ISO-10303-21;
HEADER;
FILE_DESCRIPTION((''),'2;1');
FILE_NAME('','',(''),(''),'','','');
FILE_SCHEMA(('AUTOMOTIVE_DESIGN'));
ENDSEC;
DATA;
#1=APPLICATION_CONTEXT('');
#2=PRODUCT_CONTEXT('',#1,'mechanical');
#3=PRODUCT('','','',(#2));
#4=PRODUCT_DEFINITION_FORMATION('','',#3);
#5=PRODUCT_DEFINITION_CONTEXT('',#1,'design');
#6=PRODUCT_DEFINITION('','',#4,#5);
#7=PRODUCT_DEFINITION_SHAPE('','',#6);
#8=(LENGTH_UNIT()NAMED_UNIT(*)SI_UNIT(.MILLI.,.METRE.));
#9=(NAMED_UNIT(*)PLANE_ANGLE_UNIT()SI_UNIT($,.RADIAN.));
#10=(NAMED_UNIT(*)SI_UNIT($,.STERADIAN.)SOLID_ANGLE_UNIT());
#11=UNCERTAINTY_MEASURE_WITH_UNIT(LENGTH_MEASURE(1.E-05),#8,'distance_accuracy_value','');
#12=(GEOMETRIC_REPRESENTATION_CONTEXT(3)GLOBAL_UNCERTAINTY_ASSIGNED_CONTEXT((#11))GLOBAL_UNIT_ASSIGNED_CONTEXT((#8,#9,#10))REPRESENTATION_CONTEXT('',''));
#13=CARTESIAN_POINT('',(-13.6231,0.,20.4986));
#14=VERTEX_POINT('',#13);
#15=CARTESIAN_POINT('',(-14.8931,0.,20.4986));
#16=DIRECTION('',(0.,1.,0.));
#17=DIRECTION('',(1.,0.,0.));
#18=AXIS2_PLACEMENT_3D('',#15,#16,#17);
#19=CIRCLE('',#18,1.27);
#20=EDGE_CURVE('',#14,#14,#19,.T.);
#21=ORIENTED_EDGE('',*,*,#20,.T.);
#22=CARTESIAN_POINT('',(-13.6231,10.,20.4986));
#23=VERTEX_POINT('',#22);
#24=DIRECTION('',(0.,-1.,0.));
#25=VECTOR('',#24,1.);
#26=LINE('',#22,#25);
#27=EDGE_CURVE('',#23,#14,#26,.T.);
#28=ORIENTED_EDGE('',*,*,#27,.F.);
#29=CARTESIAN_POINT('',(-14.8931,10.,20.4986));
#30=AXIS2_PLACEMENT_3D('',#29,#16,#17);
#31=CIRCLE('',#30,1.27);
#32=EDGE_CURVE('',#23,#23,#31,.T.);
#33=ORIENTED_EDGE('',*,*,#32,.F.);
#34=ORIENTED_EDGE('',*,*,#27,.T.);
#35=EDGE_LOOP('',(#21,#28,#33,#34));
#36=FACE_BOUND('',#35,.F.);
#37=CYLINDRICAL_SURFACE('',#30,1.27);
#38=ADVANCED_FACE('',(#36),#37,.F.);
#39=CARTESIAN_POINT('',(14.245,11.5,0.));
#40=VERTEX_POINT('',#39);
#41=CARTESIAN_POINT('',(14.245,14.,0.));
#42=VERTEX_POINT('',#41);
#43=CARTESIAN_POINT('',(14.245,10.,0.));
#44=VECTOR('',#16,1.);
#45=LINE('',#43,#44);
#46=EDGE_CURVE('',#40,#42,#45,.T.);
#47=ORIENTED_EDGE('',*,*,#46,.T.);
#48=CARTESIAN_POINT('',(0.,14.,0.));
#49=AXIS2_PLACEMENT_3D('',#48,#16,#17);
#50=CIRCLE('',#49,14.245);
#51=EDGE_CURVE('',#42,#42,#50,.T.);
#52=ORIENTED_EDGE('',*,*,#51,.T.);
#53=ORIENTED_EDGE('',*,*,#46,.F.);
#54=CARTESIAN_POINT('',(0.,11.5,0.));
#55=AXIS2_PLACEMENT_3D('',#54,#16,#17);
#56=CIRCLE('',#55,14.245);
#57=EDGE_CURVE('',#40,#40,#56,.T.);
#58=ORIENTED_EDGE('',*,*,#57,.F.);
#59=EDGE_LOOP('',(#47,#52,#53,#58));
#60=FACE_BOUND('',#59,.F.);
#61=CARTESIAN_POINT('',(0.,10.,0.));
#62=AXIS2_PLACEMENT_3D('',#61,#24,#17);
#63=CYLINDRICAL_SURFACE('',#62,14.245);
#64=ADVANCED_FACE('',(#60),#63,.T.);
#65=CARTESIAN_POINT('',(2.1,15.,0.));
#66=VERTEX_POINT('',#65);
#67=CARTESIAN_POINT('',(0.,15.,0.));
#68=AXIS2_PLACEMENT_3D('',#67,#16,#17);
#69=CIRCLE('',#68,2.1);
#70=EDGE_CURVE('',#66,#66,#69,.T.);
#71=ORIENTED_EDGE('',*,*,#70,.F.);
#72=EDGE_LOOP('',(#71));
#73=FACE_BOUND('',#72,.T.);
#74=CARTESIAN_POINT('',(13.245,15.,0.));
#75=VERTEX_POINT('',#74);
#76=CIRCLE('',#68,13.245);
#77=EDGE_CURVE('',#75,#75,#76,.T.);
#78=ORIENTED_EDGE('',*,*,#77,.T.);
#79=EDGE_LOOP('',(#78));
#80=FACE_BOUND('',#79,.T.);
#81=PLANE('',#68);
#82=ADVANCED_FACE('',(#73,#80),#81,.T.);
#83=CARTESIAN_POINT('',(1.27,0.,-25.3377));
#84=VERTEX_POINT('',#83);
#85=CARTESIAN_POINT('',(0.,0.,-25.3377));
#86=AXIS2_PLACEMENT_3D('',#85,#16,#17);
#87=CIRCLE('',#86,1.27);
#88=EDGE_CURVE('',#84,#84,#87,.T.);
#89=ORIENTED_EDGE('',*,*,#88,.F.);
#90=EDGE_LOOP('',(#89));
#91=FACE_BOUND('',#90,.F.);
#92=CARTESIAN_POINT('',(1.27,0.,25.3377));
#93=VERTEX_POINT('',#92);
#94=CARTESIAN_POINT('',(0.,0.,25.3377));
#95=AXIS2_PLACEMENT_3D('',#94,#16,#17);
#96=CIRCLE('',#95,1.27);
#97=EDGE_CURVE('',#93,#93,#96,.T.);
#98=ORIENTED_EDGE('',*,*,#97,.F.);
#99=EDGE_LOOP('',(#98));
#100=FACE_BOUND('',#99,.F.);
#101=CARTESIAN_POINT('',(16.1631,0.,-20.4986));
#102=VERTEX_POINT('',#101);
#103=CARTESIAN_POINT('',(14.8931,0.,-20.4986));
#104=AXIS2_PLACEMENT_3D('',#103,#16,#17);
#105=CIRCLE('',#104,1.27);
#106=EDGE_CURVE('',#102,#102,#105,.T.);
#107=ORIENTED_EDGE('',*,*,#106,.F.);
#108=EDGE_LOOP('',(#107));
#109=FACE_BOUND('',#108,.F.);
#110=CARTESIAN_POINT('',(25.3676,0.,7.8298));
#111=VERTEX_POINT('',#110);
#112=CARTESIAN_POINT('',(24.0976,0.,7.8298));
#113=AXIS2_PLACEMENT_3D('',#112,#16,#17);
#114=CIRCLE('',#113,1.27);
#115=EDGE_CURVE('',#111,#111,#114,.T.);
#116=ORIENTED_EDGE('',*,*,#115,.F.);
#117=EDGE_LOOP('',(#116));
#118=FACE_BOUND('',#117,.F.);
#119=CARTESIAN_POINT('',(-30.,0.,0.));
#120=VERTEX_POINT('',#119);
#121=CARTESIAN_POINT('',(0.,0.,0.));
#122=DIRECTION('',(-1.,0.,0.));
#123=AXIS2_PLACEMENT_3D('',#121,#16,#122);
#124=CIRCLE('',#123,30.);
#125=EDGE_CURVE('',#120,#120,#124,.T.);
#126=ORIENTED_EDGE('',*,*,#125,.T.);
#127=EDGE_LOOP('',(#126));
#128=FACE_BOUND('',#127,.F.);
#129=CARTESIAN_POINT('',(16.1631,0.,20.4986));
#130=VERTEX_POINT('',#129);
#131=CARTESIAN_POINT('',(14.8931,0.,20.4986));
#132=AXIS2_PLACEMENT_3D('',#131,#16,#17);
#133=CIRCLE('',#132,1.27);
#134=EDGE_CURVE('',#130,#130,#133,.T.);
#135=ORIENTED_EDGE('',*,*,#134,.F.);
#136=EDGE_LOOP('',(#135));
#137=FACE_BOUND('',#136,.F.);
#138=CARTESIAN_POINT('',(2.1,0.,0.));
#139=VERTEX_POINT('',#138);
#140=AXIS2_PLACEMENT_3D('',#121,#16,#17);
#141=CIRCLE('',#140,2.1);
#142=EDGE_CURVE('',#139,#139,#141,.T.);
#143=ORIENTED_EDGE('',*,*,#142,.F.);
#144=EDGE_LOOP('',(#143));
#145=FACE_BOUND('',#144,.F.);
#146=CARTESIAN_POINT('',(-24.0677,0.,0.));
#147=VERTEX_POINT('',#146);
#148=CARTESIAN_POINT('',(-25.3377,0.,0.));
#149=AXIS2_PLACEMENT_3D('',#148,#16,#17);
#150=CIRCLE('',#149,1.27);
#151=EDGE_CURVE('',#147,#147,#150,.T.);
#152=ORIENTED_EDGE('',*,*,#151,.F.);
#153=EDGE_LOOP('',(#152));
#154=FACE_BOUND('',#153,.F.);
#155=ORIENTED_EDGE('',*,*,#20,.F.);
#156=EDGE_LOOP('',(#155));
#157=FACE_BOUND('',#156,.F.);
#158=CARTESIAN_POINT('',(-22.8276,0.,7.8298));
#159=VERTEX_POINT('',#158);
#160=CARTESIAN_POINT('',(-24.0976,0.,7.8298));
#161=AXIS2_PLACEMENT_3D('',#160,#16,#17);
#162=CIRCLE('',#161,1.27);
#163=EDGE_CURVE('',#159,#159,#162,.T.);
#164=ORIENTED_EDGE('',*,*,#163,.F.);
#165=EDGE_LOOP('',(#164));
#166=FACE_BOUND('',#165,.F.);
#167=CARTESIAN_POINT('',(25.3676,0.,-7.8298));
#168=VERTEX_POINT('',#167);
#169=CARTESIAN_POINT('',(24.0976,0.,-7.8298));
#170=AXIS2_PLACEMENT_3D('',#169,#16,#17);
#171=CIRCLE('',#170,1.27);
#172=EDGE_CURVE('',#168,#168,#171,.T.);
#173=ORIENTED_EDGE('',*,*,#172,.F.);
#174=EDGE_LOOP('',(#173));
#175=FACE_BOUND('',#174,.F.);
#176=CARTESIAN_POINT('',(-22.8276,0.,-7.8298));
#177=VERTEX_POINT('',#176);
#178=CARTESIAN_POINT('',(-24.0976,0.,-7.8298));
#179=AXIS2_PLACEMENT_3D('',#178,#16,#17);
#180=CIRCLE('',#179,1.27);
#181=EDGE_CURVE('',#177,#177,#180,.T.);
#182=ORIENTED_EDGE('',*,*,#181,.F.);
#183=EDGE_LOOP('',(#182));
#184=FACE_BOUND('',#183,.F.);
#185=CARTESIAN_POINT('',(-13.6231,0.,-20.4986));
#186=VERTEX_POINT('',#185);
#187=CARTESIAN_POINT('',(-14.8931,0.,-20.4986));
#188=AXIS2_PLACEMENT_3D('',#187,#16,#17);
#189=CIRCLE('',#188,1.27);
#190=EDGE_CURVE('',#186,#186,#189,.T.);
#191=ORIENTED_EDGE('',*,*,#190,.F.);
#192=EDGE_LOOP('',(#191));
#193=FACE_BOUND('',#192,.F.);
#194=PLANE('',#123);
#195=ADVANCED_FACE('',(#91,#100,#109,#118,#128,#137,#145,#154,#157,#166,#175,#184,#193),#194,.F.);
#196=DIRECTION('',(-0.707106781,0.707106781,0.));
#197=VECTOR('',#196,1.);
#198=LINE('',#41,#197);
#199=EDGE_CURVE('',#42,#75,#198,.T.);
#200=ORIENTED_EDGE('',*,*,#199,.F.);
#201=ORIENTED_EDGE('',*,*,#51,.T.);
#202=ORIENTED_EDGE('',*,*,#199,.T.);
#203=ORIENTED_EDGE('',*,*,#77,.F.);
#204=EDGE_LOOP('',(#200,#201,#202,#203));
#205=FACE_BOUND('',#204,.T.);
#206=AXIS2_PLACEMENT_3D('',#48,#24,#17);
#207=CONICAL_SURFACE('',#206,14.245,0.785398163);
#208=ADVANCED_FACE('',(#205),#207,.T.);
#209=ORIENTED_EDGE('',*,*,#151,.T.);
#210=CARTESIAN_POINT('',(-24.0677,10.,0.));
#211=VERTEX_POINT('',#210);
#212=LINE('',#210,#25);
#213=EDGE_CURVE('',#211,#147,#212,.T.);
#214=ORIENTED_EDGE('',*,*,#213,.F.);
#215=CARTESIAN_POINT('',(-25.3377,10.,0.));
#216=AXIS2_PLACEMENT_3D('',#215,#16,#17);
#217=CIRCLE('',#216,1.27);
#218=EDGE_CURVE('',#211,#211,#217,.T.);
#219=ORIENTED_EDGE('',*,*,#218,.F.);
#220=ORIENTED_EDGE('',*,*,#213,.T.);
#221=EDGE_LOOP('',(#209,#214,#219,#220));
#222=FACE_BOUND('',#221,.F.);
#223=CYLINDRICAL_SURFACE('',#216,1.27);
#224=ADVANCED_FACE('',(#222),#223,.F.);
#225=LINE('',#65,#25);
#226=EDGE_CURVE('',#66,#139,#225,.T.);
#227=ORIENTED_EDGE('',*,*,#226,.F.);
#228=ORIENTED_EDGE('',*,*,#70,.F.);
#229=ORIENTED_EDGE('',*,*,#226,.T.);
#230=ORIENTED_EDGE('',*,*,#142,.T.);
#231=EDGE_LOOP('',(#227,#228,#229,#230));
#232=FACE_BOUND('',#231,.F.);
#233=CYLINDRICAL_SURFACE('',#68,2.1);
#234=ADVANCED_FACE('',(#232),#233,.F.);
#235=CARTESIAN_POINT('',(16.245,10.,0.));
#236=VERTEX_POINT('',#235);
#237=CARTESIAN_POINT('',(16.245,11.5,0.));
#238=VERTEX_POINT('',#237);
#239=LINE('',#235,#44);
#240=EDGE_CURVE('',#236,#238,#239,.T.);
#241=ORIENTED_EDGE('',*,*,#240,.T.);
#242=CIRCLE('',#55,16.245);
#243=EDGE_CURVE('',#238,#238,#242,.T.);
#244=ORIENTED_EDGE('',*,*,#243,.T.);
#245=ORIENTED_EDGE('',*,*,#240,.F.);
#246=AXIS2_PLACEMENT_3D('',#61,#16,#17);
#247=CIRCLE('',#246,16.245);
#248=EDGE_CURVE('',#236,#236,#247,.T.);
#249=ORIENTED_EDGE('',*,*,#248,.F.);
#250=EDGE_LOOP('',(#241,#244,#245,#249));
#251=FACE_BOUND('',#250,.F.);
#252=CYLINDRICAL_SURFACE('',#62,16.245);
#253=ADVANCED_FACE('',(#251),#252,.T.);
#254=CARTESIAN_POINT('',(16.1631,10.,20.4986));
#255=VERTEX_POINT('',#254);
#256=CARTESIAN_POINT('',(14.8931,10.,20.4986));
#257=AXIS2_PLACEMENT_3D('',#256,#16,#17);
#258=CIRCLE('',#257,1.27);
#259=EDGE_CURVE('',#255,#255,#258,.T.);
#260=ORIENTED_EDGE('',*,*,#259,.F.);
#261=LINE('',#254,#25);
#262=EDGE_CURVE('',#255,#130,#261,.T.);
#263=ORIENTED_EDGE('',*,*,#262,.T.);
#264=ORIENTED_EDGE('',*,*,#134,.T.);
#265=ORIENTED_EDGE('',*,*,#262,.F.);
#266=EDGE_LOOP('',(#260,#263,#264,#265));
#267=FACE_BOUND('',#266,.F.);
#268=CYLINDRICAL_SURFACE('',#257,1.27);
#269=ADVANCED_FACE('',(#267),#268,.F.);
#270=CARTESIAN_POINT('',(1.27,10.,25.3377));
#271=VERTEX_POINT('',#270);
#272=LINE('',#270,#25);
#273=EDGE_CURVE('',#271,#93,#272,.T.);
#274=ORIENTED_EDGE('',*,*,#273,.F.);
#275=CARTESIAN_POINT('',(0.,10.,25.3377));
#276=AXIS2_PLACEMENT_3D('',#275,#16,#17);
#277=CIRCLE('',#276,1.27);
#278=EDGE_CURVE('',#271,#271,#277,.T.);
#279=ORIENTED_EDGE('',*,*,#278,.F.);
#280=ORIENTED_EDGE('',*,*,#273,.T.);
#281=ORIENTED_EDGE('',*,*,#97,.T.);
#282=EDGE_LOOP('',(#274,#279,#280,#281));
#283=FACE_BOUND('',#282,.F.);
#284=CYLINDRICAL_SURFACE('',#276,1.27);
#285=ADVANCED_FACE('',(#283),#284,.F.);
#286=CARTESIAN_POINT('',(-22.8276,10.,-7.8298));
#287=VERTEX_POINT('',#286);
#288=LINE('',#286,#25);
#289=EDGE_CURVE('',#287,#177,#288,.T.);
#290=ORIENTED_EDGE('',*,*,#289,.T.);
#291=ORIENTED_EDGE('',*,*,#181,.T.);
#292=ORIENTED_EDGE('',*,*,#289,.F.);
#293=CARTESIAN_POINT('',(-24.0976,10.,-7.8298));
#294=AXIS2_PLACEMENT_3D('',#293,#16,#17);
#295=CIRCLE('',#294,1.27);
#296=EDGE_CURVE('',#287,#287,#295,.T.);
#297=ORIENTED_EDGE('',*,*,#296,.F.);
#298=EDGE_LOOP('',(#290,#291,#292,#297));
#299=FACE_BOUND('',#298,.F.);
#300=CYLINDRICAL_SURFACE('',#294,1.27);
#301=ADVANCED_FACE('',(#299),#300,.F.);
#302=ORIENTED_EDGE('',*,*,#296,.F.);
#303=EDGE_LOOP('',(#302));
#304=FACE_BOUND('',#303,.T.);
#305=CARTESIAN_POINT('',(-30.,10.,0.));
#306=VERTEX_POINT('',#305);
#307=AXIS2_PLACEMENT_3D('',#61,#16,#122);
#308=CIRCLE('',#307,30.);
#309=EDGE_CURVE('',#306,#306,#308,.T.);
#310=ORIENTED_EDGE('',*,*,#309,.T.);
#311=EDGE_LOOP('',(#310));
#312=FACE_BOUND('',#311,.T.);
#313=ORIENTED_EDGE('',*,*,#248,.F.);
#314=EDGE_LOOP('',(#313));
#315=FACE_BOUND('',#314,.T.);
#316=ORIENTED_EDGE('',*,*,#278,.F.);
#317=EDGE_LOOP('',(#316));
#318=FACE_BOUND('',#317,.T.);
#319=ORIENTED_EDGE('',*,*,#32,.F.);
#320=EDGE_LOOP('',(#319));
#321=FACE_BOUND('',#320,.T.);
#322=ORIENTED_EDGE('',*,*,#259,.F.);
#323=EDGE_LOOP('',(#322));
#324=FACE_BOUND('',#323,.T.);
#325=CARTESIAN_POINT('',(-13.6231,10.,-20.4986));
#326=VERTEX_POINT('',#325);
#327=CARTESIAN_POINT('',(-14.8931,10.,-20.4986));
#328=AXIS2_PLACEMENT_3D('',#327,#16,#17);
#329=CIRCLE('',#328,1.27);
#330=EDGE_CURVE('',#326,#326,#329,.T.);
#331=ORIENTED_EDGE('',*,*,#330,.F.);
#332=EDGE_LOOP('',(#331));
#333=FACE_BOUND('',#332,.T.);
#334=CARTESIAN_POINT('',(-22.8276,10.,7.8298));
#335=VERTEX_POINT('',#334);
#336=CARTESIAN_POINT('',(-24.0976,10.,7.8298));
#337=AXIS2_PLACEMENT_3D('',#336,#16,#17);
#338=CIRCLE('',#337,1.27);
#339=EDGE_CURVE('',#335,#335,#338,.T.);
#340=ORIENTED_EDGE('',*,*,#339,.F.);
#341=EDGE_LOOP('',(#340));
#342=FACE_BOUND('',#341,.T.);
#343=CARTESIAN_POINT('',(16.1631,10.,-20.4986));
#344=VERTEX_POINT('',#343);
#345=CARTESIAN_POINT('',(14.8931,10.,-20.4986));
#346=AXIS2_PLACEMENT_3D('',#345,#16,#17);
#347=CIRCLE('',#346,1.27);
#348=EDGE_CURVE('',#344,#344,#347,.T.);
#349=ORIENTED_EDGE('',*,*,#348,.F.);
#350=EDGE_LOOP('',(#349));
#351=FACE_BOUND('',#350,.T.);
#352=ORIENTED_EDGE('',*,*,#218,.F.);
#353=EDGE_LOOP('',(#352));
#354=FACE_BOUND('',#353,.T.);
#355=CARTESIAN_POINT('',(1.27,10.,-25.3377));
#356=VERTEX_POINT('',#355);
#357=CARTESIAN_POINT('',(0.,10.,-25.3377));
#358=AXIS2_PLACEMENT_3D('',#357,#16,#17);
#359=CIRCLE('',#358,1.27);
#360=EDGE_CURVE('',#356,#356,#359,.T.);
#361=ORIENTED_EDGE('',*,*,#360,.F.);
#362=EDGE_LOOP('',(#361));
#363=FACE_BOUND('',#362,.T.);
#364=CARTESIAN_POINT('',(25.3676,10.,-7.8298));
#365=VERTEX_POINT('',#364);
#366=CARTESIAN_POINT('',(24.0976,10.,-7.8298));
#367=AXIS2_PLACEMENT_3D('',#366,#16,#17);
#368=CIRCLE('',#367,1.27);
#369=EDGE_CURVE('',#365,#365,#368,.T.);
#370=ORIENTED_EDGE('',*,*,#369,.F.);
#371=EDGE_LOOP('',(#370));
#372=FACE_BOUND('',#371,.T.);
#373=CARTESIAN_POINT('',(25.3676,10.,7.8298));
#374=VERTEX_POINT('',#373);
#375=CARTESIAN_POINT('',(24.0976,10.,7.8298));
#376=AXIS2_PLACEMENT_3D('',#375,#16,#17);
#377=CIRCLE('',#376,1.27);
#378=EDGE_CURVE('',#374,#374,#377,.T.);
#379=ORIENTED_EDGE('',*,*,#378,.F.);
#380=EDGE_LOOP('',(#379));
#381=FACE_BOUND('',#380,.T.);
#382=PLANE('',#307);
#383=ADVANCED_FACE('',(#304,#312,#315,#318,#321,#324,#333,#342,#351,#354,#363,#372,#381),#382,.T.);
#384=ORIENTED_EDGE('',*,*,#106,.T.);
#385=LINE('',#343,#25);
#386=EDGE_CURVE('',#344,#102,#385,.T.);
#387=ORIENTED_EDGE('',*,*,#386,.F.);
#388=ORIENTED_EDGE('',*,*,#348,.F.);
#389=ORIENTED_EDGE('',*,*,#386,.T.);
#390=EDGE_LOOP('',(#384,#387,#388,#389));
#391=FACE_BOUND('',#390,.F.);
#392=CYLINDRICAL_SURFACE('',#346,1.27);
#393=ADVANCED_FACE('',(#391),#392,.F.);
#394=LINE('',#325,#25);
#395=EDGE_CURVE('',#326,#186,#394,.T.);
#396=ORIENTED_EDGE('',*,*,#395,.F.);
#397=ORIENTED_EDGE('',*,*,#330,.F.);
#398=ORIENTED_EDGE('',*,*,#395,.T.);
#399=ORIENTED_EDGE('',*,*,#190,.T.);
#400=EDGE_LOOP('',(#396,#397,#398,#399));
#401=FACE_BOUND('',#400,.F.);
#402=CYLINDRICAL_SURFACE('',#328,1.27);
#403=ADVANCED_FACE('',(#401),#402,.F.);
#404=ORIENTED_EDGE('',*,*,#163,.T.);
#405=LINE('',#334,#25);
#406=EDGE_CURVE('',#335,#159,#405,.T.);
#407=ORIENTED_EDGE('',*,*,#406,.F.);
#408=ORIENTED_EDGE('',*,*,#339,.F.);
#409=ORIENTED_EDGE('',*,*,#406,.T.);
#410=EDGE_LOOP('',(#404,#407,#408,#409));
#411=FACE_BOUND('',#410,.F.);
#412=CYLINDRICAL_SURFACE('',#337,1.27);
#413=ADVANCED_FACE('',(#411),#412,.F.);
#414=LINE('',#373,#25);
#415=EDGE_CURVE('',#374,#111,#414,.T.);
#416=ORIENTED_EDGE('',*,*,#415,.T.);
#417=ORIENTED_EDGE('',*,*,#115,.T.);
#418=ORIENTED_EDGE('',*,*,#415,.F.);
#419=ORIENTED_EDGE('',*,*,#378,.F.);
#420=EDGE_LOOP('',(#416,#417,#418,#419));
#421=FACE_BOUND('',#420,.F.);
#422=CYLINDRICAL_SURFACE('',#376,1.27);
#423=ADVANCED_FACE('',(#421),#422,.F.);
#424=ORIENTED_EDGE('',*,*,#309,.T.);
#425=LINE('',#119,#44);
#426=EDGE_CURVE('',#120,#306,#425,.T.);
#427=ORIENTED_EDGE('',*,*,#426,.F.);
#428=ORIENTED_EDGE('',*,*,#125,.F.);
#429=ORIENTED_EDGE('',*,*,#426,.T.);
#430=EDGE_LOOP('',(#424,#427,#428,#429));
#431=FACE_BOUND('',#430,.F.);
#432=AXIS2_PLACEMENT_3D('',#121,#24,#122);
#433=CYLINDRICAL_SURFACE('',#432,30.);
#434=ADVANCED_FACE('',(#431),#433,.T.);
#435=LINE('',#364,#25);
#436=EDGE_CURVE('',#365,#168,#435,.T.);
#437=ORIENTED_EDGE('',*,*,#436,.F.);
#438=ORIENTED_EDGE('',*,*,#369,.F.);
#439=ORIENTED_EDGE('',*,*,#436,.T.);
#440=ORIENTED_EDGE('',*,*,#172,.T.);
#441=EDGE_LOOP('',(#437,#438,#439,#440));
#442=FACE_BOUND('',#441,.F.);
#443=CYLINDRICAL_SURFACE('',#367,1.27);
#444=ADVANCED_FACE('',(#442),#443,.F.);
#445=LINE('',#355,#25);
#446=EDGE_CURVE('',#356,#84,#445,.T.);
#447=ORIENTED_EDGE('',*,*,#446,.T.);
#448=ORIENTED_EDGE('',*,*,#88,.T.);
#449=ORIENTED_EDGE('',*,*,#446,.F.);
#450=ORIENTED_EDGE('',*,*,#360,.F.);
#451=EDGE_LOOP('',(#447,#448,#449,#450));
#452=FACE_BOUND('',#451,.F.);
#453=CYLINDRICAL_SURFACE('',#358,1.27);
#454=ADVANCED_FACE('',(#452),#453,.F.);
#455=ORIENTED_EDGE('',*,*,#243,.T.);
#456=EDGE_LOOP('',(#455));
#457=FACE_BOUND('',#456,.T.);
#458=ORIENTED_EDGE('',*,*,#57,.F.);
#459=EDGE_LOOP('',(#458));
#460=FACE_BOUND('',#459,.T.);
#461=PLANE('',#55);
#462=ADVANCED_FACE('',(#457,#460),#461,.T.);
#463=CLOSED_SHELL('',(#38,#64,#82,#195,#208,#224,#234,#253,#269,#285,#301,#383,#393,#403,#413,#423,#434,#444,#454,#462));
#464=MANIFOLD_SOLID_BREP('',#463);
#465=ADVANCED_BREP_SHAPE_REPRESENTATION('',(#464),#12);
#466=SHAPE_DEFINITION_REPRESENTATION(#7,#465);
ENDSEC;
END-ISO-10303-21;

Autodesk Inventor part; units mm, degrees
ref_plane "YZ Plane" through (0, 0, 0) normal (1, 0, 0) x (0, 1, 0)
ref_plane "XZ Plane" through (0, 0, 0) normal (0, 1, 0) x (-1, 0, 0)
ref_plane "XY Plane" through (0, 0, 0) normal (0, 0, 1) x (1, 0, 0)
sketch "Sketch1" plane through (0, 0, 0) normal (0, 1, 0) x (-1, 0, 0)
  circle A0 centre (0, 0) radius 30
  dimension "d0" = 60
extrude "Extrusion1" add sketch "Sketch1" along normal blind 10
sketch "Sketch2" plane through (0, 10, 0) normal (0, 1, 0) x (1, 0, 0)
  circle A0 centre (0, 0) radius 14.245
  dimension "d3" = 28.49
extrude "Extrusion2" add sketch "Sketch2" along normal blind 5
sketch "Sketch3" plane through (0, 10, 0) normal (0, 1, 0) x (1, 0, 0)
  circle A0 centre (-25.3377, 0) radius 1.27
  point P0 (0, 0)
  dimension "d6" = 2.54
  dimension "d7" = 25.3377
extrude "Extrusion3" cut sketch "Sketch3" against normal up to surface (10 mm away)
sketch "Sketch4" plane through (0, 15, 0) normal (0, 1, 0) x (1, 0, 0)
  circle A0 centre (0, 0) radius 2.1
  dimension "d10" = 4.2
extrude "Extrusion4" cut sketch "Sketch4" against normal up to surface (15 mm away)
chamfer "Chamfer1" distance 1 angle 45 1 edges at (-14.245, 15, 0)
sketch "Sketch6" plane through (0, 10, 0) normal (0, 1, 0) x (1, 0, 0)
  circle A0 centre (-25.3377, 0) radius 1.27 projected
  circle A1 centre (-25.3377, 0) radius 1.27 projected
  line L0 (-25.3377, 0) -> (0, 0) construction
  line L1 (0, 0) -> (-24.0976, 7.8298) construction
  circle A2 centre (0, 0) radius 25.3377 construction
  circle A3 centre (-24.0976, 7.8298) radius 1.27
  circle A4 centre (-24.0976, -7.8298) radius 1.27
  circle A5 centre (-14.8931, -20.4986) radius 1.27
  circle A6 centre (0, -25.3377) radius 1.27
  circle A7 centre (14.8931, -20.4986) radius 1.27
  circle A8 centre (24.0976, -7.8298) radius 1.27
  circle A9 centre (24.0976, 7.8298) radius 1.27
  circle A10 centre (14.8931, 20.4986) radius 1.27
  circle A11 centre (0, 25.3377) radius 1.27
  circle A12 centre (-14.8931, 20.4986) radius 1.27
  point P0 (-24.9704, -1.2157)
  point P1 (-24.9704, 1.2157)
  dimension "d22" = 18
  dimension "d23" = 2.54
  dimension "d24" = 2.54
  dimension "d27" = 360
extrude "Extrusion6" cut sketch "Sketch6" against normal up to surface (10 mm away) contours A3 | A4 | A5 | A6 | A7 | A8 | A9 | A10 | A11 | A12
sketch "Sketch7" plane through (0, 10, 0) normal (0, 1, 0) x (1, 0, 0)
  circle A0 centre (0, 0) radius 14.245 projected
  circle A1 centre (0, 0) radius 16.245
  dimension "d31" = 2
extrude "Extrusion7" add sketch "Sketch7" along normal blind 1.5
sketch "Sketch8" plane through (0, 10, 0) normal (0, 1, 0) x (1, 0, 0)
  circle A0 centre (0, 0) radius 16.245 projected
  circle A1 centre (0, -25.3377) radius 1.27 projected
  circle A2 centre (-24.0976, -7.8298) radius 1.27 projected
  circle A3 centre (-14.8931, 20.4986) radius 1.27 projected
  circle A4 centre (24.0976, -7.8298) radius 1.27 projected
  circle A5 centre (24.0976, 7.8298) radius 1.27 projected
  circle A6 centre (-24.0976, 7.8298) radius 1.27 projected
  circle A7 centre (-14.8931, -20.4986) radius 1.27 projected
  circle A8 centre (0, 25.3377) radius 1.27 projected
  circle A9 centre (14.8931, -20.4986) radius 1.27 projected
  circle A10 centre (14.8931, 20.4986) radius 1.27 projected
  circle A11 centre (-25.3377, 0) radius 1.27 projected
  circle A12 centre (0, 0) radius 30 projected
  circle A13 centre (0, 0) radius 16.245 projected
  circle A14 centre (0, 0) radius 14.245 projected
equation "\"d24\" = d23"
properties part number "bottom"
